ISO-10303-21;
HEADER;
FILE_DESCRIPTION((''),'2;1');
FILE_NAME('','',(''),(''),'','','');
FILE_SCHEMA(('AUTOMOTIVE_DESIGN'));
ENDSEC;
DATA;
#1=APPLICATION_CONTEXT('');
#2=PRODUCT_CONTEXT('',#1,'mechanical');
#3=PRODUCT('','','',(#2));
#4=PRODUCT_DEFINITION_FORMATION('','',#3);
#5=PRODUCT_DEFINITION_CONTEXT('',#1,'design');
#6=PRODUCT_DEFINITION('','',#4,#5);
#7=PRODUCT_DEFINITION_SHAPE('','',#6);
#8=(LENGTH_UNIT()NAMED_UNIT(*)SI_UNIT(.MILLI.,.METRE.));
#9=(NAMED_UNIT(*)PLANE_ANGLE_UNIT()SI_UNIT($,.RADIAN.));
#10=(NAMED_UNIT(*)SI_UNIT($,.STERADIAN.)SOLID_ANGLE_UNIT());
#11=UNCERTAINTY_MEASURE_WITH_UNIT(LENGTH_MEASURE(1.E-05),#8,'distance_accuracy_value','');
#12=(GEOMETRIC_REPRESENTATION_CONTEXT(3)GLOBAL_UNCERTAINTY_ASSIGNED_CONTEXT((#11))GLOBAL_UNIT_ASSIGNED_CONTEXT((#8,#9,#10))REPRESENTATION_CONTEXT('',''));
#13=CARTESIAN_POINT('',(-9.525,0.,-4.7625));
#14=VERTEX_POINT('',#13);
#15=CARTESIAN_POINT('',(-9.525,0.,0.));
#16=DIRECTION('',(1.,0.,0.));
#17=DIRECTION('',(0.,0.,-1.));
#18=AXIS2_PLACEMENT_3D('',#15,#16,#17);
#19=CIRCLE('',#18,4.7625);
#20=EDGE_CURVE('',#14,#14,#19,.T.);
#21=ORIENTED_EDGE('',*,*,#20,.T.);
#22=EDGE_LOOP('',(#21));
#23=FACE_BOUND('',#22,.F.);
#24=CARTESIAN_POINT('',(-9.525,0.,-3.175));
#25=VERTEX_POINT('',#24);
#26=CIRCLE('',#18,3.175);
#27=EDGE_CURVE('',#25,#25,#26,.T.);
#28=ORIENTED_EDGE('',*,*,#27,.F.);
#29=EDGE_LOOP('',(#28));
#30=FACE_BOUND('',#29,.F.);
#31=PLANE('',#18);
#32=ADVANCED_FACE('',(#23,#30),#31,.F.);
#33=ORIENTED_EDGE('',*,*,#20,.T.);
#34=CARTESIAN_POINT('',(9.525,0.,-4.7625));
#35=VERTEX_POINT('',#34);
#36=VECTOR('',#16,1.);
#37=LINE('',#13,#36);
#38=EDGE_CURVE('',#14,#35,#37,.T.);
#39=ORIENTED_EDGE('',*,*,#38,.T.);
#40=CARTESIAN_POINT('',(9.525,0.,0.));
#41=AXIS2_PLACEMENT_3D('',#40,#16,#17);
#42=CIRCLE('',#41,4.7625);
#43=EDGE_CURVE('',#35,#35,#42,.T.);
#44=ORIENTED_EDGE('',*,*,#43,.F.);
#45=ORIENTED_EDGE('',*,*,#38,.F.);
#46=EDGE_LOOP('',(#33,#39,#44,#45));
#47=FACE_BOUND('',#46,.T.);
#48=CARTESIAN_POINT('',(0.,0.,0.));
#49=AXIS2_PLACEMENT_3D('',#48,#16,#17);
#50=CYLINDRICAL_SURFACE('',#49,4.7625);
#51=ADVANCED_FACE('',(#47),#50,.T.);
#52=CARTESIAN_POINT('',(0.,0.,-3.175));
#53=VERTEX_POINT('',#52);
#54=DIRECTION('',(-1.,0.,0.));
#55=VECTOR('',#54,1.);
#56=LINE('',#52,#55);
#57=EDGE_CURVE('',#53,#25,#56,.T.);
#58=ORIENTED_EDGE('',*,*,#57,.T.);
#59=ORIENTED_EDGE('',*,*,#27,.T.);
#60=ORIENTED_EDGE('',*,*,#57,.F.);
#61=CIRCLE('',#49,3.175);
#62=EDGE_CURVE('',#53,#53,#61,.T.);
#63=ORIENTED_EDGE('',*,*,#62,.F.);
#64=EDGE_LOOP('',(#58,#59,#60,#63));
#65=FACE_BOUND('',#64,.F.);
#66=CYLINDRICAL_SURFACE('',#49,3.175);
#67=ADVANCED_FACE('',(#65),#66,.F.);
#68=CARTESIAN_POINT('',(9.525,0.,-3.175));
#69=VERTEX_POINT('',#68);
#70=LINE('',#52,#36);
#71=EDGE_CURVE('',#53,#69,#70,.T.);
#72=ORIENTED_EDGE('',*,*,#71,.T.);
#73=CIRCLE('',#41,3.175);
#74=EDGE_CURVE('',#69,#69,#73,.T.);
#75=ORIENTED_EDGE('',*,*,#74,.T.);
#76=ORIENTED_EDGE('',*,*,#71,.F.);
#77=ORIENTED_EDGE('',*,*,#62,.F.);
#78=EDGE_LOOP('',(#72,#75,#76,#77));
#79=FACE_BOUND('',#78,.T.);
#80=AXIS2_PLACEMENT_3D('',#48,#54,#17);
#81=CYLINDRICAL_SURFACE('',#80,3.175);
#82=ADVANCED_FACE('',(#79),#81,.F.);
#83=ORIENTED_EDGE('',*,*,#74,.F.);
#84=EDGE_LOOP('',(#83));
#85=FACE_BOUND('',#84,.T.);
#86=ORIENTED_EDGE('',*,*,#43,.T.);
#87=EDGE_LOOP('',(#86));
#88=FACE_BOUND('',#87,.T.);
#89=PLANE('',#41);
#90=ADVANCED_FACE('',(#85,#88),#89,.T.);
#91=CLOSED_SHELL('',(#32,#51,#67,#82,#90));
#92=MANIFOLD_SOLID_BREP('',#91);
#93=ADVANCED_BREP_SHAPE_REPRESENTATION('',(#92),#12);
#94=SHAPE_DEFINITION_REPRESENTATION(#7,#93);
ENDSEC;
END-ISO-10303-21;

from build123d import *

# Parameters (mm, degrees)
SKETCH1_R           = 4.7625
SKETCH1_R_2         = 3.175
EXTRUDE1_DEPTH      = 9.525
EXTRUDE1_DEPTH_BACK = 9.525


with BuildPart() as part:
    # Sketch1 → Extrude1 (new body, two sides)
    with BuildSketch(Plane(origin=(0, 0, 0), x_dir=(0, 0, -1), z_dir=(1, 0, 0))) as extrude1_sk:
        Circle(SKETCH1_R)
        Circle(SKETCH1_R_2, mode=Mode.SUBTRACT)
    extrude(amount=EXTRUDE1_DEPTH)
    extrude(extrude1_sk.sketch, amount=-EXTRUDE1_DEPTH_BACK)


solid = part.part
